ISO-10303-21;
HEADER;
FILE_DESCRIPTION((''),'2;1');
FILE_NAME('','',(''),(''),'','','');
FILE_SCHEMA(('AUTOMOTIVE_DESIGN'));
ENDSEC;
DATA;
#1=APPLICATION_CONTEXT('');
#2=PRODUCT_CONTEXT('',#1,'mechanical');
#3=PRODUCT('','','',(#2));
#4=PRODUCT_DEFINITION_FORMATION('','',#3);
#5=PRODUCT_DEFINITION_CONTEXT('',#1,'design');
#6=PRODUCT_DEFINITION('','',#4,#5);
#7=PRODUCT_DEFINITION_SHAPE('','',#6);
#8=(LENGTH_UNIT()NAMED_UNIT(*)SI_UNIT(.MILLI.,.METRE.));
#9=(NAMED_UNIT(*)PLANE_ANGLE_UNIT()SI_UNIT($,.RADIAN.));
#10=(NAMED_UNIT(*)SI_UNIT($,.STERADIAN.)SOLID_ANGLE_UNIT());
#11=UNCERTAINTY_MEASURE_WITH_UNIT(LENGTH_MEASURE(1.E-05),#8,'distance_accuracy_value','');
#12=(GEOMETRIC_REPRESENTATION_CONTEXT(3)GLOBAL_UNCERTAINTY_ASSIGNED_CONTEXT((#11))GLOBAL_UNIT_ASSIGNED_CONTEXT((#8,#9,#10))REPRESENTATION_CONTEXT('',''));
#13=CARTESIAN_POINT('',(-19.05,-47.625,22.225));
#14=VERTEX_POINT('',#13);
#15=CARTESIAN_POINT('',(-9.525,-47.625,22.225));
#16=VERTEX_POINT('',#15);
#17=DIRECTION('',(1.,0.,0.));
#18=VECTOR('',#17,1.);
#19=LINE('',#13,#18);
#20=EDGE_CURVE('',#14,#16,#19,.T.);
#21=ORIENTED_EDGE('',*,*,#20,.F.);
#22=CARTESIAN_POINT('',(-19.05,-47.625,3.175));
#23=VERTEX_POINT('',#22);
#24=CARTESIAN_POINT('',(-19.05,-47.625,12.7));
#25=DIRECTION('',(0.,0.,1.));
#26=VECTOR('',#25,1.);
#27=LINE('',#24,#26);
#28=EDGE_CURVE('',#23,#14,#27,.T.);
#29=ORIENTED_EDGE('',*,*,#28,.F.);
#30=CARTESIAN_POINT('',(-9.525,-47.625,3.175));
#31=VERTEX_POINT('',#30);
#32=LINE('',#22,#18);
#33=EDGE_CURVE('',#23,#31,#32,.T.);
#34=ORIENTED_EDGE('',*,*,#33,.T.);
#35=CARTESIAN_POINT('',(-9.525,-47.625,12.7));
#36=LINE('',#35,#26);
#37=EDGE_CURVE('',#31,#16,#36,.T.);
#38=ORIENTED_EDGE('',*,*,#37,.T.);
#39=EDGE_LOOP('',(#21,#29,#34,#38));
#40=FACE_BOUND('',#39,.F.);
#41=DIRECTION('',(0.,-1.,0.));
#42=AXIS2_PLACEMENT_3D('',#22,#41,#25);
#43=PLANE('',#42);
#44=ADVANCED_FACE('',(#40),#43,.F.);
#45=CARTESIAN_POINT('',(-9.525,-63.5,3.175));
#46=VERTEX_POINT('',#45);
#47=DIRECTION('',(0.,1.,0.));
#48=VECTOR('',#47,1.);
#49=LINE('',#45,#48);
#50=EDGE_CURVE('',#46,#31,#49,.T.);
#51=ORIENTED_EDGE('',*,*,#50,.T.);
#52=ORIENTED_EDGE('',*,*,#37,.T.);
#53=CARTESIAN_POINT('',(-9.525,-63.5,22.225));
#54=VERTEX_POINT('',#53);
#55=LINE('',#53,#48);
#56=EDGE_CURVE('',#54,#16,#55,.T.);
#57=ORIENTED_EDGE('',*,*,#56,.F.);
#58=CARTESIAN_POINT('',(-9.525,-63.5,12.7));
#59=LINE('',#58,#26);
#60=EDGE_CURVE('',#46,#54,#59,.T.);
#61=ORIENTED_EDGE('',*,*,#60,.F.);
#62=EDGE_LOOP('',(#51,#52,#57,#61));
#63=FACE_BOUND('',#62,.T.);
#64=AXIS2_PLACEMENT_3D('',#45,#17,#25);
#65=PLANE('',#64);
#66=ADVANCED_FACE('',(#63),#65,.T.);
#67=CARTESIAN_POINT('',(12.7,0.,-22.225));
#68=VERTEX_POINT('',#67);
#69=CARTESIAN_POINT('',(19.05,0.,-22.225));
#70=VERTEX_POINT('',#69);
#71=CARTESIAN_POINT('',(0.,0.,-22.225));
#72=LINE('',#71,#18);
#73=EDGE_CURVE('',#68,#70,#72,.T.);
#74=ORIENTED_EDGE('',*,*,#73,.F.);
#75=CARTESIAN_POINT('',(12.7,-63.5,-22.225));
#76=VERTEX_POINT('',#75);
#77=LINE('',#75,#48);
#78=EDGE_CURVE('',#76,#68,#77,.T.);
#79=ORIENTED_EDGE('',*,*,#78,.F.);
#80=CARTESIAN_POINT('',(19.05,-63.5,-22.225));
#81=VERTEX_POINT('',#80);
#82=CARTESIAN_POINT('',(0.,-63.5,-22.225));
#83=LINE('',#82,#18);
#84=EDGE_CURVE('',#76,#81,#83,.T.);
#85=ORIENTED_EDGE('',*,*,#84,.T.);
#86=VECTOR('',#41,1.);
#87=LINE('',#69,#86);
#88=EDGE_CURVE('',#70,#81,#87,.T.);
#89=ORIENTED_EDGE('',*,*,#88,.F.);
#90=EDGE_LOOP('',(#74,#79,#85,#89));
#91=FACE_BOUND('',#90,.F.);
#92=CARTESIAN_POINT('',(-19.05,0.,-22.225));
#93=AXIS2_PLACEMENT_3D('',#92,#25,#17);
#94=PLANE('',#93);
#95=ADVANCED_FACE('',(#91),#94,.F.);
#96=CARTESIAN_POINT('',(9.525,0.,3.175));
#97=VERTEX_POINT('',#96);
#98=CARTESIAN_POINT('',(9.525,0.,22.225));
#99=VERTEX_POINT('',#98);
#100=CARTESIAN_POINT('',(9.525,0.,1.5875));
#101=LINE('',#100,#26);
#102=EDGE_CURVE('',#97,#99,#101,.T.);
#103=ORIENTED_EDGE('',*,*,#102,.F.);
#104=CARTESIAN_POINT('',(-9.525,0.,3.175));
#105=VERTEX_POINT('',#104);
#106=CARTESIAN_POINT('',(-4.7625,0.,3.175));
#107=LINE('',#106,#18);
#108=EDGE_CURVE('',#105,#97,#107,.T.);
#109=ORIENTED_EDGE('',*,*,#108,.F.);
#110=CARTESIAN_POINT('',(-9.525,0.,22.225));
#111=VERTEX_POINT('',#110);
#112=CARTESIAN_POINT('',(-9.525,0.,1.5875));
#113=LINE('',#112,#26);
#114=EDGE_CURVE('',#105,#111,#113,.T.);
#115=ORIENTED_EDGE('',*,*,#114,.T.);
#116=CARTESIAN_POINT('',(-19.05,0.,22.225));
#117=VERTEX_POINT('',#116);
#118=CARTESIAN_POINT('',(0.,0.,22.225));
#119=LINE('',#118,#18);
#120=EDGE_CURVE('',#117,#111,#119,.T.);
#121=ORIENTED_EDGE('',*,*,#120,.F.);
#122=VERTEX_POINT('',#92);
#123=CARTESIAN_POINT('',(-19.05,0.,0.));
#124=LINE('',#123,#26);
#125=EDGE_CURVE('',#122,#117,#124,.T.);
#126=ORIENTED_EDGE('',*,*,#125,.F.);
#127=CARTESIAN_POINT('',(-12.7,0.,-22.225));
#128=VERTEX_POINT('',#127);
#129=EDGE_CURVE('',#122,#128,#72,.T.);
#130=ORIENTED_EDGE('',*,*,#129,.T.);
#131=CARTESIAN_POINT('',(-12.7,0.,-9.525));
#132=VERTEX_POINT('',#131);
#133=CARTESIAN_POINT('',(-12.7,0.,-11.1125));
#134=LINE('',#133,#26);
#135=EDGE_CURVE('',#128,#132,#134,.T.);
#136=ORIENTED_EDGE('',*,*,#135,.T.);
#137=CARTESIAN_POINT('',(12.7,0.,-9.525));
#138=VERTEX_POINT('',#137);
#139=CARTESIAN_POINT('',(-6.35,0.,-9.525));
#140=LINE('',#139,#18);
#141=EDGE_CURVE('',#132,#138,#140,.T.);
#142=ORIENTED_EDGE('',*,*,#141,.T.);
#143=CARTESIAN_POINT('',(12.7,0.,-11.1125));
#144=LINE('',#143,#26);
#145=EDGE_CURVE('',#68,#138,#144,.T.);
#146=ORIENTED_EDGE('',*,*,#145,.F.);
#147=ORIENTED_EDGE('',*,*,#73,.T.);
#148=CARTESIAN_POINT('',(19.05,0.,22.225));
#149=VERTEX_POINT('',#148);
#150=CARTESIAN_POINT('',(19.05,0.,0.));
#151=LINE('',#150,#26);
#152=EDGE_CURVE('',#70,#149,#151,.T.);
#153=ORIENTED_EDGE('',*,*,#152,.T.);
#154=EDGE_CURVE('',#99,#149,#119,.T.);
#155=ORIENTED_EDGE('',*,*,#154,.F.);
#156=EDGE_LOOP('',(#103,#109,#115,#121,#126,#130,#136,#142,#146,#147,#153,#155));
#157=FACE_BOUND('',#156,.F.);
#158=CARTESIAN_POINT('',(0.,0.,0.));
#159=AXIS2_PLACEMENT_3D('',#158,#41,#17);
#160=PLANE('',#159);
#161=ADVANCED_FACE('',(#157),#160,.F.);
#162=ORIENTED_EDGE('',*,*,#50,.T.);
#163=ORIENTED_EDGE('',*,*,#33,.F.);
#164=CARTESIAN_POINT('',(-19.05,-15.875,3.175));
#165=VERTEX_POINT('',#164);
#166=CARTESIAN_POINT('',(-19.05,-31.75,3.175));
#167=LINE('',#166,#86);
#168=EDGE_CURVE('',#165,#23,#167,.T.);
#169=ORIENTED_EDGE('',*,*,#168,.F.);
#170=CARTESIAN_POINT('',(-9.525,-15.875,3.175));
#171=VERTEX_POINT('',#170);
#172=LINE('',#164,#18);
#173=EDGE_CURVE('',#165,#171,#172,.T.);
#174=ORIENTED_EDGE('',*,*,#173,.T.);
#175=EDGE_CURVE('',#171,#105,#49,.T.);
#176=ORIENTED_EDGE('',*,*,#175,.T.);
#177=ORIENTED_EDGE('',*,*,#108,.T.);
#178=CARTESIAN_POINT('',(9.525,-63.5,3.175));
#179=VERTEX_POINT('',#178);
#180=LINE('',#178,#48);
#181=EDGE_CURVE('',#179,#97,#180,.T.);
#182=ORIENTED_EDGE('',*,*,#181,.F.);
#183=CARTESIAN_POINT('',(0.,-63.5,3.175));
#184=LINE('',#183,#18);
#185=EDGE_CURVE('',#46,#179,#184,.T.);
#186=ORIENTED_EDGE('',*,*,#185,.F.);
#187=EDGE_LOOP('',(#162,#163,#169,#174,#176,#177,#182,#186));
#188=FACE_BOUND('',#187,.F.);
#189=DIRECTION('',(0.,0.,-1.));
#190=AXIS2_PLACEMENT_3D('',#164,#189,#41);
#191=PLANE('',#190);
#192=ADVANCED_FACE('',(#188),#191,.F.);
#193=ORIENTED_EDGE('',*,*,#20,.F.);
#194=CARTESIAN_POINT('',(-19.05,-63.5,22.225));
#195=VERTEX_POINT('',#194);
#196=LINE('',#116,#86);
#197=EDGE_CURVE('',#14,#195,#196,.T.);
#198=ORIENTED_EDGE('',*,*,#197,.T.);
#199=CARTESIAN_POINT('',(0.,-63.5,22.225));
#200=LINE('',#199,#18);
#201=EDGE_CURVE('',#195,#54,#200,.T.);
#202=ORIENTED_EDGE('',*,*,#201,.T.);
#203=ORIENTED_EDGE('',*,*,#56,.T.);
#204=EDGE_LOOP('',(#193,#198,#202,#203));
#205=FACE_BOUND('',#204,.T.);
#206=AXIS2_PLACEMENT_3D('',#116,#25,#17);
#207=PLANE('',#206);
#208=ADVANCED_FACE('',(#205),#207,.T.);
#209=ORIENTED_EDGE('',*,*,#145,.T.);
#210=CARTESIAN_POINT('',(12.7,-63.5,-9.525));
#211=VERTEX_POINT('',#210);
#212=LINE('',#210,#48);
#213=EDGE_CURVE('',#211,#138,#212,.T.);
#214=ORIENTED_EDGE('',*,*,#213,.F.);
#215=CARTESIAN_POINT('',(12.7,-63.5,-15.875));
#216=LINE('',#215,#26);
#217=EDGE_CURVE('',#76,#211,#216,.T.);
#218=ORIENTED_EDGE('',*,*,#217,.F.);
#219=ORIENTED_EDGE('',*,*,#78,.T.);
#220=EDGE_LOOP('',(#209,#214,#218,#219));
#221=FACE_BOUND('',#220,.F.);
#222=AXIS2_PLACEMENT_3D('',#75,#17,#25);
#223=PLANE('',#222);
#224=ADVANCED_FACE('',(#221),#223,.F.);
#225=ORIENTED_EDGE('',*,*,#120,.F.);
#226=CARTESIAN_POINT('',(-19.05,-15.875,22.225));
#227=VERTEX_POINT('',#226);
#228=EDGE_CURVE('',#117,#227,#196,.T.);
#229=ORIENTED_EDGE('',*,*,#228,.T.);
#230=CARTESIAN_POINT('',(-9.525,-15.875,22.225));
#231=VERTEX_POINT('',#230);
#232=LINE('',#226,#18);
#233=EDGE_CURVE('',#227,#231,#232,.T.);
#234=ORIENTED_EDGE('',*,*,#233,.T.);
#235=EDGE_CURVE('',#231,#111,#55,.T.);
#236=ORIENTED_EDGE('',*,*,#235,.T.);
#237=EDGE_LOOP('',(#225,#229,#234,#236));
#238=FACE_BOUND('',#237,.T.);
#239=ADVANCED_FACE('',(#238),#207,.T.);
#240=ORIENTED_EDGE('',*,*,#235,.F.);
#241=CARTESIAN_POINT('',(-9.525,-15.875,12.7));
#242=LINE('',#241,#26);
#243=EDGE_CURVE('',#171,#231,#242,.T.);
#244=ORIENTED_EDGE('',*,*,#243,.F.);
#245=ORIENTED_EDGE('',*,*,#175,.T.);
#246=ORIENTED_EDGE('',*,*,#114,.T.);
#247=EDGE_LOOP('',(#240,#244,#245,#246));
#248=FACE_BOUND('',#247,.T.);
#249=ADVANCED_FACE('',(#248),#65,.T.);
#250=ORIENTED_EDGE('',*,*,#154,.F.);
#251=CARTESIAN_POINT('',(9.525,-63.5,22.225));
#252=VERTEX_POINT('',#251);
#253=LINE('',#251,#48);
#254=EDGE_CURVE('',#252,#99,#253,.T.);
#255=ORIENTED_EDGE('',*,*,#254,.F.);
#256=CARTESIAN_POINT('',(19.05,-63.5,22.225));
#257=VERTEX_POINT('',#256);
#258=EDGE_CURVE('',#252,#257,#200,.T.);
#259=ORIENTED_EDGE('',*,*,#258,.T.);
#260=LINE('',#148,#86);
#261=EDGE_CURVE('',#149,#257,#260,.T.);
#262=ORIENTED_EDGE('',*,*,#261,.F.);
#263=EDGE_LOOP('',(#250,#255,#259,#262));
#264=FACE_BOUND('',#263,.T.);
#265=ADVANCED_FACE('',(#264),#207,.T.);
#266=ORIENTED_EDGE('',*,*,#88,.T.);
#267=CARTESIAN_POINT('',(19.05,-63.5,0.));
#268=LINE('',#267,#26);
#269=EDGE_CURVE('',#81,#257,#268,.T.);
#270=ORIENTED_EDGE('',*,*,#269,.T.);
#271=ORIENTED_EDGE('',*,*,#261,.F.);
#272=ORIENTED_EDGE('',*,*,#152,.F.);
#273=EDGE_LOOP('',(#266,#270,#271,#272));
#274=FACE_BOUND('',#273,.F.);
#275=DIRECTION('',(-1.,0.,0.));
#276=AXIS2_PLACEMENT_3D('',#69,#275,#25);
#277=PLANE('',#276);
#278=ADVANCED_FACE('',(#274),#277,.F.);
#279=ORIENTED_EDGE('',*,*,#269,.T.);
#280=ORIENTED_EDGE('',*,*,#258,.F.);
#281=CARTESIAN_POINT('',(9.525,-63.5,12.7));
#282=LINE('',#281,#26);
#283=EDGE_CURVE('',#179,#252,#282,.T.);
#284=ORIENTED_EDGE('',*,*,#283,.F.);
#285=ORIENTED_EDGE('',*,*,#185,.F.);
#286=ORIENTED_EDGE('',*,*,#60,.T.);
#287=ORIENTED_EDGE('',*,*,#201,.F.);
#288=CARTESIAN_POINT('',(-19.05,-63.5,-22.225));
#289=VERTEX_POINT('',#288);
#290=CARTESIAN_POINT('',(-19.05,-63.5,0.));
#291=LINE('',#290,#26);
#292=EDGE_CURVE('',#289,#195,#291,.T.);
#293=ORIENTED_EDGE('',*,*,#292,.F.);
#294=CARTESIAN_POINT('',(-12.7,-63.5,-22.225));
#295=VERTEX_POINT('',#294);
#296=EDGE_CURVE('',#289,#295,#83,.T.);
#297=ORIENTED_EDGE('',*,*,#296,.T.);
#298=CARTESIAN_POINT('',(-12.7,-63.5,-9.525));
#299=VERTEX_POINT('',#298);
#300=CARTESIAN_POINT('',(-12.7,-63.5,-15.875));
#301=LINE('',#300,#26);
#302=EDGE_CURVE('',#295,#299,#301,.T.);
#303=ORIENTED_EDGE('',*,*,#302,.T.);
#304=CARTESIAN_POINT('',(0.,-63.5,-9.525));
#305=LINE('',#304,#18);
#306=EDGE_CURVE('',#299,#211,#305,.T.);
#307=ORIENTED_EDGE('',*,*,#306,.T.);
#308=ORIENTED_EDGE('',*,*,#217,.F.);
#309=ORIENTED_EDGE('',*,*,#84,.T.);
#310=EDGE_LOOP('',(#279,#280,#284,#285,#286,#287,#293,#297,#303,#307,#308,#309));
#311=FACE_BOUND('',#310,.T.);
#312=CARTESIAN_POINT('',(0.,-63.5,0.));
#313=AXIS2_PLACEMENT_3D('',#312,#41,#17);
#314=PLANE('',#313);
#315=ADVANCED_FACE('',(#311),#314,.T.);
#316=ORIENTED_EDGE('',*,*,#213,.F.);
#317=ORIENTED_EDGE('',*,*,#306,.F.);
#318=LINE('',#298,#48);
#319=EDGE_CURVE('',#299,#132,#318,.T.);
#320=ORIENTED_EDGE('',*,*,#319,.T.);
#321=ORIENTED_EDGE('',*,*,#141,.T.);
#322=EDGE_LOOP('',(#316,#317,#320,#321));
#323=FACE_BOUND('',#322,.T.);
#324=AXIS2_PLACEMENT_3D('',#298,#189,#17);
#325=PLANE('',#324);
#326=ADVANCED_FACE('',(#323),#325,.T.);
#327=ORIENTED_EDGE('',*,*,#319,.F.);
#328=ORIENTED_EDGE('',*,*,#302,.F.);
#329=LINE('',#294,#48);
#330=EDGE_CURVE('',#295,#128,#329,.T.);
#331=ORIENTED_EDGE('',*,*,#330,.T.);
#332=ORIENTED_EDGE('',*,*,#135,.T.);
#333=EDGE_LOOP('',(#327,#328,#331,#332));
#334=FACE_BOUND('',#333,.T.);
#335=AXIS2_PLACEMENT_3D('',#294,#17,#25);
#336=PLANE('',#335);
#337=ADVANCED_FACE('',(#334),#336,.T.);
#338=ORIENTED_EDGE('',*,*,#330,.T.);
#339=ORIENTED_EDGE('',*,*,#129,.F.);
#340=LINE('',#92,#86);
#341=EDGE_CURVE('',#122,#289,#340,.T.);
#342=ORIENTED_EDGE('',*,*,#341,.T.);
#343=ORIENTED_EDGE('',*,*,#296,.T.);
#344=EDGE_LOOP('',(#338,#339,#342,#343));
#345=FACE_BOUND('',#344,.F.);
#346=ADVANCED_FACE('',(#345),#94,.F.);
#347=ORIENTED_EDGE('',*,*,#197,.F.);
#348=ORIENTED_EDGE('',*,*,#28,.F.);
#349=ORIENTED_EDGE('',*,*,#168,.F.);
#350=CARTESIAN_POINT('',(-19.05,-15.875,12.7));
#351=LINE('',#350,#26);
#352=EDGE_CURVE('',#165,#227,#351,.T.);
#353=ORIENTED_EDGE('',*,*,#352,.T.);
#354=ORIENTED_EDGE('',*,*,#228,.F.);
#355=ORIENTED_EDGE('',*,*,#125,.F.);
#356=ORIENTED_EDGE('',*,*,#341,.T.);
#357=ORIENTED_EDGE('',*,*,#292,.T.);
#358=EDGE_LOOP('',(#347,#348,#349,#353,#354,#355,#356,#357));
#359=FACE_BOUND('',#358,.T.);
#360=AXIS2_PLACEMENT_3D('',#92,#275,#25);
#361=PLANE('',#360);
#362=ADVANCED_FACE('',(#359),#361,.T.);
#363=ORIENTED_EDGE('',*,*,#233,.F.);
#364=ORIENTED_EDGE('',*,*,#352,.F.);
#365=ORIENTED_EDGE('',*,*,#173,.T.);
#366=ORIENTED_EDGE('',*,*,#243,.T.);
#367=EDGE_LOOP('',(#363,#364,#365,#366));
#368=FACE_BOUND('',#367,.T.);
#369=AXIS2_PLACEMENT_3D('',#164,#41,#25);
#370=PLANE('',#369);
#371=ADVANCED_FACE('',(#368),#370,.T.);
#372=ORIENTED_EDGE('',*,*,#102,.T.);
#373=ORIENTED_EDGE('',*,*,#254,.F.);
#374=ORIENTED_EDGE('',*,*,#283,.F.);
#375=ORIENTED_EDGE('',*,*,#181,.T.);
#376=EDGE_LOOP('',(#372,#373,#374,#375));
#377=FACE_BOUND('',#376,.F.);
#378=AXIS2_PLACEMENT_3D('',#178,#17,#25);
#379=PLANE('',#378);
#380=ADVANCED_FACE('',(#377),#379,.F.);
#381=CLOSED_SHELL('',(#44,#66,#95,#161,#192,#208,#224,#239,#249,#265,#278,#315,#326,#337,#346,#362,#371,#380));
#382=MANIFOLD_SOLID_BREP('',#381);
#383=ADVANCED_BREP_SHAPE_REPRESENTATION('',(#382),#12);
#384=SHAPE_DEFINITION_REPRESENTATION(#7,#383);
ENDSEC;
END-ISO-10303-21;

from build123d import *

# Parameters (mm, degrees)
F0_W     = 38.1
F0_H     = 44.45
F1_DEPTH = 63.5
F2_W     = 19.05
F2_H     = 19.05
F3_DEPTH = 63.501
F4_W     = 25.4
F4_H     = 12.7
F5_DEPTH = 63.501
F6_W     = 31.75
F6_H     = 19.05
F7_DEPTH = 9.525


with BuildPart() as f1:
    # F0 (on Front) → F1 (new body)
    with BuildSketch(Plane.XZ):
        Rectangle(F0_W, F0_H)
    extrude(amount=F1_DEPTH)

    # F2 (on face) → F3 (cut, through all)
    with BuildSketch(Plane.XZ.offset(63.5)):
        with Locations((0, 12.7)):
            Rectangle(F2_W, F2_H)
    extrude(amount=-F3_DEPTH, mode=Mode.SUBTRACT)

    # F4 (on face) → F5 (cut, through all)
    with BuildSketch(Plane.XZ.offset(63.5)):
        with Locations((0, -15.875)):
            Rectangle(F4_W, F4_H)
    extrude(amount=-F5_DEPTH, mode=Mode.SUBTRACT)

    # F6 (on face) → F7 (cut, through all)
    with BuildSketch(Plane(origin=(-19.05, 0, 0), x_dir=(0, -1, 0), z_dir=(-1, 0, 0))):
        with Locations((31.75, 12.7)):
            Rectangle(F6_W, F6_H)
    extrude(amount=-F7_DEPTH, mode=Mode.SUBTRACT)


solid = f1.part
